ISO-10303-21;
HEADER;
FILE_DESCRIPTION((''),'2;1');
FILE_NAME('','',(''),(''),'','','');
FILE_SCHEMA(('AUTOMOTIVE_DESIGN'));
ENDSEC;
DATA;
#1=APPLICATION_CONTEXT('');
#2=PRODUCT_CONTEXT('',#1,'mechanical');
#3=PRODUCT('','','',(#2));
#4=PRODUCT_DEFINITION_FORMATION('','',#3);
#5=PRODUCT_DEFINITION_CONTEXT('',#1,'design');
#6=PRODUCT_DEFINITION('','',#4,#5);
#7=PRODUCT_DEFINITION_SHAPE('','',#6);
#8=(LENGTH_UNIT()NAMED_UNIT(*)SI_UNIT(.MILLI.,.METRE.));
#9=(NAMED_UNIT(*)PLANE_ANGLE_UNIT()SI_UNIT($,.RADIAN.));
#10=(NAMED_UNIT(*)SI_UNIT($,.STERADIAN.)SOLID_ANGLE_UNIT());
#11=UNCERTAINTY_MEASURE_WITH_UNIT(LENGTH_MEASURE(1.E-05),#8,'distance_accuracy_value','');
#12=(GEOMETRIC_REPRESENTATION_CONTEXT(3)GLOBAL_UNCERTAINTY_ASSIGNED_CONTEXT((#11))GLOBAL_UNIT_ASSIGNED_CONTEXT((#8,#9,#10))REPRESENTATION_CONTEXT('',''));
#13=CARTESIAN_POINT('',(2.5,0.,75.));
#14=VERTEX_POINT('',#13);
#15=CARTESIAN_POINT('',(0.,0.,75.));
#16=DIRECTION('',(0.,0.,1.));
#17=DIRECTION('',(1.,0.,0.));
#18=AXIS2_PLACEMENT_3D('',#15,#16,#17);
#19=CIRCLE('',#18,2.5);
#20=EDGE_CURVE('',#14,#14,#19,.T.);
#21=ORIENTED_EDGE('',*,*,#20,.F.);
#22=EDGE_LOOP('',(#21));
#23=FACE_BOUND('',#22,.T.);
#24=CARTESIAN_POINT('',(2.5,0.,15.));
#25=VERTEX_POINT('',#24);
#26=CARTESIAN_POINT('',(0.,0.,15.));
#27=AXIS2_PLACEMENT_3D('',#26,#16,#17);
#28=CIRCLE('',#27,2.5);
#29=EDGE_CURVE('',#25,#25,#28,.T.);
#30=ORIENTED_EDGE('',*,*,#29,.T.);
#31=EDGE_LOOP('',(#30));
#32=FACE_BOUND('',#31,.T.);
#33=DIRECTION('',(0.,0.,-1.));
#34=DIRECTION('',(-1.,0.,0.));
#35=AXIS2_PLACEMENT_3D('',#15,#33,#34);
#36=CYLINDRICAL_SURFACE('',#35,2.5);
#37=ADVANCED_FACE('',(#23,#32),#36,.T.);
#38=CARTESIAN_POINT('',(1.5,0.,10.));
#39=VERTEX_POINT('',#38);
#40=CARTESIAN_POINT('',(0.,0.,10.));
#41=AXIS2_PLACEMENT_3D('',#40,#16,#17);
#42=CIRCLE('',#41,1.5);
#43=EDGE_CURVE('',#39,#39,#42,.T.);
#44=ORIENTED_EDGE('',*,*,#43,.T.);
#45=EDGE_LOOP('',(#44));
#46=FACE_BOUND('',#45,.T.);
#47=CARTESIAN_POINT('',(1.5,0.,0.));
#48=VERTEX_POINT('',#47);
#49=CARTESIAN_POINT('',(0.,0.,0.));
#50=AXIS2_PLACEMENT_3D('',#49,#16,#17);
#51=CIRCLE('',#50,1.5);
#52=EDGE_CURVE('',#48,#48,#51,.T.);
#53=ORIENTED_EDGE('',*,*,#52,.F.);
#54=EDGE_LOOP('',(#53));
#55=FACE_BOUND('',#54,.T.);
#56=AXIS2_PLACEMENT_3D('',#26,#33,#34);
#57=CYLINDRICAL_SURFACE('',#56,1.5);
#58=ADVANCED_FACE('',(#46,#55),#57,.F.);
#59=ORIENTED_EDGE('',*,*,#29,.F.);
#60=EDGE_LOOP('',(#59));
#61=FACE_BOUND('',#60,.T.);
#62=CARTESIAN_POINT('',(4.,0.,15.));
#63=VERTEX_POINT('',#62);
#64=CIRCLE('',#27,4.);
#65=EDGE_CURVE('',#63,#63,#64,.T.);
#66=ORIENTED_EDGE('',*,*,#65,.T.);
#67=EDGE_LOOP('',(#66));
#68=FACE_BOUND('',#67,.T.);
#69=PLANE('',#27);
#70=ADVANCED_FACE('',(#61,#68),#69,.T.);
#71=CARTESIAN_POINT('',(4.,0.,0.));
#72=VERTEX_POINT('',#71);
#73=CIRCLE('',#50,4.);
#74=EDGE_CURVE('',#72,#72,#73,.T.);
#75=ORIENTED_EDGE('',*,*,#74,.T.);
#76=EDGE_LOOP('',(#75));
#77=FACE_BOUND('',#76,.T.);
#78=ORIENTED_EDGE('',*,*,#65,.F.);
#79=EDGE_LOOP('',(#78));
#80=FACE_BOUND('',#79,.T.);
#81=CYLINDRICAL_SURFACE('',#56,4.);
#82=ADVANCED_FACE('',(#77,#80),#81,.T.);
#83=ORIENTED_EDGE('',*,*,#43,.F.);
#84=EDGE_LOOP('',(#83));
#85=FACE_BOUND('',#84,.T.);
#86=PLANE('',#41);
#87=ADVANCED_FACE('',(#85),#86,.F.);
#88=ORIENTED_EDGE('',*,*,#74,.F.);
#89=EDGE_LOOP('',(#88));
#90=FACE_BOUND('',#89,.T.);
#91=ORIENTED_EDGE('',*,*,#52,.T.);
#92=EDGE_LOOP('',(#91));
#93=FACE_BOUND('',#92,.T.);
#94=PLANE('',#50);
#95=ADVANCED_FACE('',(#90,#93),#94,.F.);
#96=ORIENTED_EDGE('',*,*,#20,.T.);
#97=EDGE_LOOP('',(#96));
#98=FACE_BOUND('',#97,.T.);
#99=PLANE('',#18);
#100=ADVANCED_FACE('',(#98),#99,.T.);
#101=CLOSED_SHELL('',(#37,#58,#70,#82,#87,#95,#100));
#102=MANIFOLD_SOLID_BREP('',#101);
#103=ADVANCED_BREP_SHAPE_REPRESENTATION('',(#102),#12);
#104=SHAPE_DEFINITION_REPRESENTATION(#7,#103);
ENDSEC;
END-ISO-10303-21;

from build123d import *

# Parameters (mm, degrees)
SKETCH1_R           = 4
SKETCH1_R_2         = 1.5
BOSS_EXTRUDE1_DEPTH = 15
BOSS_EXTRUDE2_START = -5
SKETCH2_R           = 1.5
BOSS_EXTRUDE2_DEPTH = 5
SKETCH3_R           = 2.5
BOSS_EXTRUDE3_DEPTH = 60


with BuildPart() as part:
    # Sketch1 → Boss-Extrude1 (new body)
    with BuildSketch(Plane.XY):
        Circle(SKETCH1_R)
        Circle(SKETCH1_R_2, mode=Mode.SUBTRACT)
    extrude(amount=BOSS_EXTRUDE1_DEPTH)

    # Sketch2 → Boss-Extrude2 (add)
    with BuildSketch(Plane.XY.offset(15).offset(BOSS_EXTRUDE2_START)):
        Circle(SKETCH2_R)
    extrude(amount=BOSS_EXTRUDE2_DEPTH)

    # Sketch3 → Boss-Extrude3 (add)
    with BuildSketch(Plane.XY.offset(15)):
        Circle(SKETCH3_R)
    extrude(amount=BOSS_EXTRUDE3_DEPTH)


solid = part.part
